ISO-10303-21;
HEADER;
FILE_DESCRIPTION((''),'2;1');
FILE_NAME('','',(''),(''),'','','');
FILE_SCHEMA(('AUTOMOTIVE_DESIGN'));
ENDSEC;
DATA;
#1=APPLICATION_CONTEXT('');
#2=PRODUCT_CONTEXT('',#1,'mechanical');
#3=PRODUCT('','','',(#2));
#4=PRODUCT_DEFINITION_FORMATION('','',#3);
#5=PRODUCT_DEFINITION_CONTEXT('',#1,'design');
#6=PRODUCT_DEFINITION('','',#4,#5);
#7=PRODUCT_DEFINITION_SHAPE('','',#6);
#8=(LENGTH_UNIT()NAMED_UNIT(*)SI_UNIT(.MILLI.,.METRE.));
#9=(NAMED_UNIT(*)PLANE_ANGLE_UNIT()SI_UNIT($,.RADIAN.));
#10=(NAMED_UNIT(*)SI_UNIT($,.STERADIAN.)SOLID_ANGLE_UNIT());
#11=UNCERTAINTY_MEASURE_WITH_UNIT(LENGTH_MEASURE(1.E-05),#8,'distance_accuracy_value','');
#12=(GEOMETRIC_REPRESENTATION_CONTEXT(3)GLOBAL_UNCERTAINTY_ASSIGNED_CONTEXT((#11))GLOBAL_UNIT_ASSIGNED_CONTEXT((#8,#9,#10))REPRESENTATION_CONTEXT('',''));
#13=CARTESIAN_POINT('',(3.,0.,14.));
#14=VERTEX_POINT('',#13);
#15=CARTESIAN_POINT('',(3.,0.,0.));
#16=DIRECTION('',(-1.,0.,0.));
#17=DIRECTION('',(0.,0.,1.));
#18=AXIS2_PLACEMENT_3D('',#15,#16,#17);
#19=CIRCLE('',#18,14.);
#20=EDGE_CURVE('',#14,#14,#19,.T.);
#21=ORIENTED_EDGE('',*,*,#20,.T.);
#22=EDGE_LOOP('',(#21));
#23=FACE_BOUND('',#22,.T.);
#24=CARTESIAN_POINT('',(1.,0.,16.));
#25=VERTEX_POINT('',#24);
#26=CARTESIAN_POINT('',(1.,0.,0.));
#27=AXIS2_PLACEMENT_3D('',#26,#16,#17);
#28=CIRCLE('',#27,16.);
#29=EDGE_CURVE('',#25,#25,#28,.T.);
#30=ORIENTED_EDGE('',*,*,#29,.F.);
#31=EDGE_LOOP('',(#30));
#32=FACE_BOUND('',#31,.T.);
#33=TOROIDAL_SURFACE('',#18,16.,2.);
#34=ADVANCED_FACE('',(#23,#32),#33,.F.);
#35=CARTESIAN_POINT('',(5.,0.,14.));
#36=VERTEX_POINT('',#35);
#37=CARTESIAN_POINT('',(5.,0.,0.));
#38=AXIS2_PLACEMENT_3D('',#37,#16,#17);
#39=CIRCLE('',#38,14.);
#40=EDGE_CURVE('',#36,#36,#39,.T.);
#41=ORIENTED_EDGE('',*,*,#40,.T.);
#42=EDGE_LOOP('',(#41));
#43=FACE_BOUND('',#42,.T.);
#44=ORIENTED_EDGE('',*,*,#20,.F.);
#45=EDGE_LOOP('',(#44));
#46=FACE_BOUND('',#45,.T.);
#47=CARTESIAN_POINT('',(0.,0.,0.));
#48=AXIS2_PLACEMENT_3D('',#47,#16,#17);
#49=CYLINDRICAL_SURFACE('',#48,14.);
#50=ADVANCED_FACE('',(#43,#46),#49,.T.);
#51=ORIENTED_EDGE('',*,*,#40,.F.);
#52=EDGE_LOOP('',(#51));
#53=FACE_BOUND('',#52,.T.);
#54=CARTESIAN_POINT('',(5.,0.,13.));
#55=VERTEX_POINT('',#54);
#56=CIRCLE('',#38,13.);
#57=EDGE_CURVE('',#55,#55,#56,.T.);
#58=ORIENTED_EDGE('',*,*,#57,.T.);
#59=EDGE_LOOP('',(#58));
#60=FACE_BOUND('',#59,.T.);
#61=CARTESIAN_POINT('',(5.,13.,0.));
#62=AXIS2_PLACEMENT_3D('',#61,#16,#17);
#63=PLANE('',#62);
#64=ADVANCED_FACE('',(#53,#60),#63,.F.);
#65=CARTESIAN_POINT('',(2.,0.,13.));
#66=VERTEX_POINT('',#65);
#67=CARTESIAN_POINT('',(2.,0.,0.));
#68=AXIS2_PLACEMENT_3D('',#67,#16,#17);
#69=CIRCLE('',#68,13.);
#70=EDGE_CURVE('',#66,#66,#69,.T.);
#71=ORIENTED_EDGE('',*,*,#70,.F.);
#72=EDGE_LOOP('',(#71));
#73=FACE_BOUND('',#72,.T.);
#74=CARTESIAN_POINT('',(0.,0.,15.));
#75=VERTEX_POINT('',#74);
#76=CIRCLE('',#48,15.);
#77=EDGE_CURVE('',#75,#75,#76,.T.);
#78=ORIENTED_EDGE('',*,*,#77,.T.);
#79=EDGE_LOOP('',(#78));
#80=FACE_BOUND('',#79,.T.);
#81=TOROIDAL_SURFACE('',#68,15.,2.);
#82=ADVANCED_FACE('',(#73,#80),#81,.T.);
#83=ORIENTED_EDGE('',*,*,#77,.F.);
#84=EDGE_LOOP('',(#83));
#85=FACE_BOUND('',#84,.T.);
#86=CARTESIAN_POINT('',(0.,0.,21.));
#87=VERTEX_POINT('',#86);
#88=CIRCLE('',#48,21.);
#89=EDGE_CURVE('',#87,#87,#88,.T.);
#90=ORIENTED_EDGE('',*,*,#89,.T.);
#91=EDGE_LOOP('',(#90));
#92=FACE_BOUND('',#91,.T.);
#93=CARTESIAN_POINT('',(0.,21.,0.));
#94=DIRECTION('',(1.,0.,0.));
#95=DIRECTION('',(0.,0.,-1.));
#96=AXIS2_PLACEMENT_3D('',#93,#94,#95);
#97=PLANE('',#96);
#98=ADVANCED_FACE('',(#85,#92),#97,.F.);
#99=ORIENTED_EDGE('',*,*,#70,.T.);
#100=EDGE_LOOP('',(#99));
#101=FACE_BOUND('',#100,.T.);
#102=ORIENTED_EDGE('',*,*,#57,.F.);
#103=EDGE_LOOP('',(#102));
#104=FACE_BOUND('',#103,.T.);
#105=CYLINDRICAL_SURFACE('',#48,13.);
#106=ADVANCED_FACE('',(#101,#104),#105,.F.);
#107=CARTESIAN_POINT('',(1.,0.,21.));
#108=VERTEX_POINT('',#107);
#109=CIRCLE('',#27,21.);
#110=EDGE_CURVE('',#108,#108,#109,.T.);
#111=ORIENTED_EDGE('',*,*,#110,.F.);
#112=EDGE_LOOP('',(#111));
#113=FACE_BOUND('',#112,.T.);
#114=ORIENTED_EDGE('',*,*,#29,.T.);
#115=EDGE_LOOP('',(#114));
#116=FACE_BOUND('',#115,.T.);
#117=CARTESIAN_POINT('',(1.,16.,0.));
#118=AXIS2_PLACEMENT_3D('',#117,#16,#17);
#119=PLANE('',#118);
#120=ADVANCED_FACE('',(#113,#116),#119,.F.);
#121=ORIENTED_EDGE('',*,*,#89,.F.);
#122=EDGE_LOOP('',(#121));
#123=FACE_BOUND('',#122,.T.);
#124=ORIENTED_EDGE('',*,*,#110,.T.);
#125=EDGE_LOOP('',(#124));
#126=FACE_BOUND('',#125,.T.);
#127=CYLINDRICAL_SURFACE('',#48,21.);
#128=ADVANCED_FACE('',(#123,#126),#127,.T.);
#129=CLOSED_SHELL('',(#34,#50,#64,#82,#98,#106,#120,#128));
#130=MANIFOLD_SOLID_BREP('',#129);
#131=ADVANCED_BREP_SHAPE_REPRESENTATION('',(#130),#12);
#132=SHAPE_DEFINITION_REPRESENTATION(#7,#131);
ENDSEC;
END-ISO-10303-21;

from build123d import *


with BuildPart() as part:
    # Эскиз2 → Повернуть1 (revolve)
    with BuildSketch(Plane.XY):
        with BuildLine():
            Line((0, 21), (0, 15))
            ThreePointArc((0, 15), (0.585786438, 13.585786438), (2, 13))
            Line((2, 13), (5, 13))
            Line((5, 13), (5, 14))
            Line((5, 14), (3, 14))
            ThreePointArc((3, 14), (1.585786438, 14.585786438), (1, 16))
            Line((1, 16), (1, 21))
            Line((1, 21), (0, 21))
        make_face()
    revolve(axis=Axis((0, 0, 0), (1, 0, 0)))


solid = part.part
